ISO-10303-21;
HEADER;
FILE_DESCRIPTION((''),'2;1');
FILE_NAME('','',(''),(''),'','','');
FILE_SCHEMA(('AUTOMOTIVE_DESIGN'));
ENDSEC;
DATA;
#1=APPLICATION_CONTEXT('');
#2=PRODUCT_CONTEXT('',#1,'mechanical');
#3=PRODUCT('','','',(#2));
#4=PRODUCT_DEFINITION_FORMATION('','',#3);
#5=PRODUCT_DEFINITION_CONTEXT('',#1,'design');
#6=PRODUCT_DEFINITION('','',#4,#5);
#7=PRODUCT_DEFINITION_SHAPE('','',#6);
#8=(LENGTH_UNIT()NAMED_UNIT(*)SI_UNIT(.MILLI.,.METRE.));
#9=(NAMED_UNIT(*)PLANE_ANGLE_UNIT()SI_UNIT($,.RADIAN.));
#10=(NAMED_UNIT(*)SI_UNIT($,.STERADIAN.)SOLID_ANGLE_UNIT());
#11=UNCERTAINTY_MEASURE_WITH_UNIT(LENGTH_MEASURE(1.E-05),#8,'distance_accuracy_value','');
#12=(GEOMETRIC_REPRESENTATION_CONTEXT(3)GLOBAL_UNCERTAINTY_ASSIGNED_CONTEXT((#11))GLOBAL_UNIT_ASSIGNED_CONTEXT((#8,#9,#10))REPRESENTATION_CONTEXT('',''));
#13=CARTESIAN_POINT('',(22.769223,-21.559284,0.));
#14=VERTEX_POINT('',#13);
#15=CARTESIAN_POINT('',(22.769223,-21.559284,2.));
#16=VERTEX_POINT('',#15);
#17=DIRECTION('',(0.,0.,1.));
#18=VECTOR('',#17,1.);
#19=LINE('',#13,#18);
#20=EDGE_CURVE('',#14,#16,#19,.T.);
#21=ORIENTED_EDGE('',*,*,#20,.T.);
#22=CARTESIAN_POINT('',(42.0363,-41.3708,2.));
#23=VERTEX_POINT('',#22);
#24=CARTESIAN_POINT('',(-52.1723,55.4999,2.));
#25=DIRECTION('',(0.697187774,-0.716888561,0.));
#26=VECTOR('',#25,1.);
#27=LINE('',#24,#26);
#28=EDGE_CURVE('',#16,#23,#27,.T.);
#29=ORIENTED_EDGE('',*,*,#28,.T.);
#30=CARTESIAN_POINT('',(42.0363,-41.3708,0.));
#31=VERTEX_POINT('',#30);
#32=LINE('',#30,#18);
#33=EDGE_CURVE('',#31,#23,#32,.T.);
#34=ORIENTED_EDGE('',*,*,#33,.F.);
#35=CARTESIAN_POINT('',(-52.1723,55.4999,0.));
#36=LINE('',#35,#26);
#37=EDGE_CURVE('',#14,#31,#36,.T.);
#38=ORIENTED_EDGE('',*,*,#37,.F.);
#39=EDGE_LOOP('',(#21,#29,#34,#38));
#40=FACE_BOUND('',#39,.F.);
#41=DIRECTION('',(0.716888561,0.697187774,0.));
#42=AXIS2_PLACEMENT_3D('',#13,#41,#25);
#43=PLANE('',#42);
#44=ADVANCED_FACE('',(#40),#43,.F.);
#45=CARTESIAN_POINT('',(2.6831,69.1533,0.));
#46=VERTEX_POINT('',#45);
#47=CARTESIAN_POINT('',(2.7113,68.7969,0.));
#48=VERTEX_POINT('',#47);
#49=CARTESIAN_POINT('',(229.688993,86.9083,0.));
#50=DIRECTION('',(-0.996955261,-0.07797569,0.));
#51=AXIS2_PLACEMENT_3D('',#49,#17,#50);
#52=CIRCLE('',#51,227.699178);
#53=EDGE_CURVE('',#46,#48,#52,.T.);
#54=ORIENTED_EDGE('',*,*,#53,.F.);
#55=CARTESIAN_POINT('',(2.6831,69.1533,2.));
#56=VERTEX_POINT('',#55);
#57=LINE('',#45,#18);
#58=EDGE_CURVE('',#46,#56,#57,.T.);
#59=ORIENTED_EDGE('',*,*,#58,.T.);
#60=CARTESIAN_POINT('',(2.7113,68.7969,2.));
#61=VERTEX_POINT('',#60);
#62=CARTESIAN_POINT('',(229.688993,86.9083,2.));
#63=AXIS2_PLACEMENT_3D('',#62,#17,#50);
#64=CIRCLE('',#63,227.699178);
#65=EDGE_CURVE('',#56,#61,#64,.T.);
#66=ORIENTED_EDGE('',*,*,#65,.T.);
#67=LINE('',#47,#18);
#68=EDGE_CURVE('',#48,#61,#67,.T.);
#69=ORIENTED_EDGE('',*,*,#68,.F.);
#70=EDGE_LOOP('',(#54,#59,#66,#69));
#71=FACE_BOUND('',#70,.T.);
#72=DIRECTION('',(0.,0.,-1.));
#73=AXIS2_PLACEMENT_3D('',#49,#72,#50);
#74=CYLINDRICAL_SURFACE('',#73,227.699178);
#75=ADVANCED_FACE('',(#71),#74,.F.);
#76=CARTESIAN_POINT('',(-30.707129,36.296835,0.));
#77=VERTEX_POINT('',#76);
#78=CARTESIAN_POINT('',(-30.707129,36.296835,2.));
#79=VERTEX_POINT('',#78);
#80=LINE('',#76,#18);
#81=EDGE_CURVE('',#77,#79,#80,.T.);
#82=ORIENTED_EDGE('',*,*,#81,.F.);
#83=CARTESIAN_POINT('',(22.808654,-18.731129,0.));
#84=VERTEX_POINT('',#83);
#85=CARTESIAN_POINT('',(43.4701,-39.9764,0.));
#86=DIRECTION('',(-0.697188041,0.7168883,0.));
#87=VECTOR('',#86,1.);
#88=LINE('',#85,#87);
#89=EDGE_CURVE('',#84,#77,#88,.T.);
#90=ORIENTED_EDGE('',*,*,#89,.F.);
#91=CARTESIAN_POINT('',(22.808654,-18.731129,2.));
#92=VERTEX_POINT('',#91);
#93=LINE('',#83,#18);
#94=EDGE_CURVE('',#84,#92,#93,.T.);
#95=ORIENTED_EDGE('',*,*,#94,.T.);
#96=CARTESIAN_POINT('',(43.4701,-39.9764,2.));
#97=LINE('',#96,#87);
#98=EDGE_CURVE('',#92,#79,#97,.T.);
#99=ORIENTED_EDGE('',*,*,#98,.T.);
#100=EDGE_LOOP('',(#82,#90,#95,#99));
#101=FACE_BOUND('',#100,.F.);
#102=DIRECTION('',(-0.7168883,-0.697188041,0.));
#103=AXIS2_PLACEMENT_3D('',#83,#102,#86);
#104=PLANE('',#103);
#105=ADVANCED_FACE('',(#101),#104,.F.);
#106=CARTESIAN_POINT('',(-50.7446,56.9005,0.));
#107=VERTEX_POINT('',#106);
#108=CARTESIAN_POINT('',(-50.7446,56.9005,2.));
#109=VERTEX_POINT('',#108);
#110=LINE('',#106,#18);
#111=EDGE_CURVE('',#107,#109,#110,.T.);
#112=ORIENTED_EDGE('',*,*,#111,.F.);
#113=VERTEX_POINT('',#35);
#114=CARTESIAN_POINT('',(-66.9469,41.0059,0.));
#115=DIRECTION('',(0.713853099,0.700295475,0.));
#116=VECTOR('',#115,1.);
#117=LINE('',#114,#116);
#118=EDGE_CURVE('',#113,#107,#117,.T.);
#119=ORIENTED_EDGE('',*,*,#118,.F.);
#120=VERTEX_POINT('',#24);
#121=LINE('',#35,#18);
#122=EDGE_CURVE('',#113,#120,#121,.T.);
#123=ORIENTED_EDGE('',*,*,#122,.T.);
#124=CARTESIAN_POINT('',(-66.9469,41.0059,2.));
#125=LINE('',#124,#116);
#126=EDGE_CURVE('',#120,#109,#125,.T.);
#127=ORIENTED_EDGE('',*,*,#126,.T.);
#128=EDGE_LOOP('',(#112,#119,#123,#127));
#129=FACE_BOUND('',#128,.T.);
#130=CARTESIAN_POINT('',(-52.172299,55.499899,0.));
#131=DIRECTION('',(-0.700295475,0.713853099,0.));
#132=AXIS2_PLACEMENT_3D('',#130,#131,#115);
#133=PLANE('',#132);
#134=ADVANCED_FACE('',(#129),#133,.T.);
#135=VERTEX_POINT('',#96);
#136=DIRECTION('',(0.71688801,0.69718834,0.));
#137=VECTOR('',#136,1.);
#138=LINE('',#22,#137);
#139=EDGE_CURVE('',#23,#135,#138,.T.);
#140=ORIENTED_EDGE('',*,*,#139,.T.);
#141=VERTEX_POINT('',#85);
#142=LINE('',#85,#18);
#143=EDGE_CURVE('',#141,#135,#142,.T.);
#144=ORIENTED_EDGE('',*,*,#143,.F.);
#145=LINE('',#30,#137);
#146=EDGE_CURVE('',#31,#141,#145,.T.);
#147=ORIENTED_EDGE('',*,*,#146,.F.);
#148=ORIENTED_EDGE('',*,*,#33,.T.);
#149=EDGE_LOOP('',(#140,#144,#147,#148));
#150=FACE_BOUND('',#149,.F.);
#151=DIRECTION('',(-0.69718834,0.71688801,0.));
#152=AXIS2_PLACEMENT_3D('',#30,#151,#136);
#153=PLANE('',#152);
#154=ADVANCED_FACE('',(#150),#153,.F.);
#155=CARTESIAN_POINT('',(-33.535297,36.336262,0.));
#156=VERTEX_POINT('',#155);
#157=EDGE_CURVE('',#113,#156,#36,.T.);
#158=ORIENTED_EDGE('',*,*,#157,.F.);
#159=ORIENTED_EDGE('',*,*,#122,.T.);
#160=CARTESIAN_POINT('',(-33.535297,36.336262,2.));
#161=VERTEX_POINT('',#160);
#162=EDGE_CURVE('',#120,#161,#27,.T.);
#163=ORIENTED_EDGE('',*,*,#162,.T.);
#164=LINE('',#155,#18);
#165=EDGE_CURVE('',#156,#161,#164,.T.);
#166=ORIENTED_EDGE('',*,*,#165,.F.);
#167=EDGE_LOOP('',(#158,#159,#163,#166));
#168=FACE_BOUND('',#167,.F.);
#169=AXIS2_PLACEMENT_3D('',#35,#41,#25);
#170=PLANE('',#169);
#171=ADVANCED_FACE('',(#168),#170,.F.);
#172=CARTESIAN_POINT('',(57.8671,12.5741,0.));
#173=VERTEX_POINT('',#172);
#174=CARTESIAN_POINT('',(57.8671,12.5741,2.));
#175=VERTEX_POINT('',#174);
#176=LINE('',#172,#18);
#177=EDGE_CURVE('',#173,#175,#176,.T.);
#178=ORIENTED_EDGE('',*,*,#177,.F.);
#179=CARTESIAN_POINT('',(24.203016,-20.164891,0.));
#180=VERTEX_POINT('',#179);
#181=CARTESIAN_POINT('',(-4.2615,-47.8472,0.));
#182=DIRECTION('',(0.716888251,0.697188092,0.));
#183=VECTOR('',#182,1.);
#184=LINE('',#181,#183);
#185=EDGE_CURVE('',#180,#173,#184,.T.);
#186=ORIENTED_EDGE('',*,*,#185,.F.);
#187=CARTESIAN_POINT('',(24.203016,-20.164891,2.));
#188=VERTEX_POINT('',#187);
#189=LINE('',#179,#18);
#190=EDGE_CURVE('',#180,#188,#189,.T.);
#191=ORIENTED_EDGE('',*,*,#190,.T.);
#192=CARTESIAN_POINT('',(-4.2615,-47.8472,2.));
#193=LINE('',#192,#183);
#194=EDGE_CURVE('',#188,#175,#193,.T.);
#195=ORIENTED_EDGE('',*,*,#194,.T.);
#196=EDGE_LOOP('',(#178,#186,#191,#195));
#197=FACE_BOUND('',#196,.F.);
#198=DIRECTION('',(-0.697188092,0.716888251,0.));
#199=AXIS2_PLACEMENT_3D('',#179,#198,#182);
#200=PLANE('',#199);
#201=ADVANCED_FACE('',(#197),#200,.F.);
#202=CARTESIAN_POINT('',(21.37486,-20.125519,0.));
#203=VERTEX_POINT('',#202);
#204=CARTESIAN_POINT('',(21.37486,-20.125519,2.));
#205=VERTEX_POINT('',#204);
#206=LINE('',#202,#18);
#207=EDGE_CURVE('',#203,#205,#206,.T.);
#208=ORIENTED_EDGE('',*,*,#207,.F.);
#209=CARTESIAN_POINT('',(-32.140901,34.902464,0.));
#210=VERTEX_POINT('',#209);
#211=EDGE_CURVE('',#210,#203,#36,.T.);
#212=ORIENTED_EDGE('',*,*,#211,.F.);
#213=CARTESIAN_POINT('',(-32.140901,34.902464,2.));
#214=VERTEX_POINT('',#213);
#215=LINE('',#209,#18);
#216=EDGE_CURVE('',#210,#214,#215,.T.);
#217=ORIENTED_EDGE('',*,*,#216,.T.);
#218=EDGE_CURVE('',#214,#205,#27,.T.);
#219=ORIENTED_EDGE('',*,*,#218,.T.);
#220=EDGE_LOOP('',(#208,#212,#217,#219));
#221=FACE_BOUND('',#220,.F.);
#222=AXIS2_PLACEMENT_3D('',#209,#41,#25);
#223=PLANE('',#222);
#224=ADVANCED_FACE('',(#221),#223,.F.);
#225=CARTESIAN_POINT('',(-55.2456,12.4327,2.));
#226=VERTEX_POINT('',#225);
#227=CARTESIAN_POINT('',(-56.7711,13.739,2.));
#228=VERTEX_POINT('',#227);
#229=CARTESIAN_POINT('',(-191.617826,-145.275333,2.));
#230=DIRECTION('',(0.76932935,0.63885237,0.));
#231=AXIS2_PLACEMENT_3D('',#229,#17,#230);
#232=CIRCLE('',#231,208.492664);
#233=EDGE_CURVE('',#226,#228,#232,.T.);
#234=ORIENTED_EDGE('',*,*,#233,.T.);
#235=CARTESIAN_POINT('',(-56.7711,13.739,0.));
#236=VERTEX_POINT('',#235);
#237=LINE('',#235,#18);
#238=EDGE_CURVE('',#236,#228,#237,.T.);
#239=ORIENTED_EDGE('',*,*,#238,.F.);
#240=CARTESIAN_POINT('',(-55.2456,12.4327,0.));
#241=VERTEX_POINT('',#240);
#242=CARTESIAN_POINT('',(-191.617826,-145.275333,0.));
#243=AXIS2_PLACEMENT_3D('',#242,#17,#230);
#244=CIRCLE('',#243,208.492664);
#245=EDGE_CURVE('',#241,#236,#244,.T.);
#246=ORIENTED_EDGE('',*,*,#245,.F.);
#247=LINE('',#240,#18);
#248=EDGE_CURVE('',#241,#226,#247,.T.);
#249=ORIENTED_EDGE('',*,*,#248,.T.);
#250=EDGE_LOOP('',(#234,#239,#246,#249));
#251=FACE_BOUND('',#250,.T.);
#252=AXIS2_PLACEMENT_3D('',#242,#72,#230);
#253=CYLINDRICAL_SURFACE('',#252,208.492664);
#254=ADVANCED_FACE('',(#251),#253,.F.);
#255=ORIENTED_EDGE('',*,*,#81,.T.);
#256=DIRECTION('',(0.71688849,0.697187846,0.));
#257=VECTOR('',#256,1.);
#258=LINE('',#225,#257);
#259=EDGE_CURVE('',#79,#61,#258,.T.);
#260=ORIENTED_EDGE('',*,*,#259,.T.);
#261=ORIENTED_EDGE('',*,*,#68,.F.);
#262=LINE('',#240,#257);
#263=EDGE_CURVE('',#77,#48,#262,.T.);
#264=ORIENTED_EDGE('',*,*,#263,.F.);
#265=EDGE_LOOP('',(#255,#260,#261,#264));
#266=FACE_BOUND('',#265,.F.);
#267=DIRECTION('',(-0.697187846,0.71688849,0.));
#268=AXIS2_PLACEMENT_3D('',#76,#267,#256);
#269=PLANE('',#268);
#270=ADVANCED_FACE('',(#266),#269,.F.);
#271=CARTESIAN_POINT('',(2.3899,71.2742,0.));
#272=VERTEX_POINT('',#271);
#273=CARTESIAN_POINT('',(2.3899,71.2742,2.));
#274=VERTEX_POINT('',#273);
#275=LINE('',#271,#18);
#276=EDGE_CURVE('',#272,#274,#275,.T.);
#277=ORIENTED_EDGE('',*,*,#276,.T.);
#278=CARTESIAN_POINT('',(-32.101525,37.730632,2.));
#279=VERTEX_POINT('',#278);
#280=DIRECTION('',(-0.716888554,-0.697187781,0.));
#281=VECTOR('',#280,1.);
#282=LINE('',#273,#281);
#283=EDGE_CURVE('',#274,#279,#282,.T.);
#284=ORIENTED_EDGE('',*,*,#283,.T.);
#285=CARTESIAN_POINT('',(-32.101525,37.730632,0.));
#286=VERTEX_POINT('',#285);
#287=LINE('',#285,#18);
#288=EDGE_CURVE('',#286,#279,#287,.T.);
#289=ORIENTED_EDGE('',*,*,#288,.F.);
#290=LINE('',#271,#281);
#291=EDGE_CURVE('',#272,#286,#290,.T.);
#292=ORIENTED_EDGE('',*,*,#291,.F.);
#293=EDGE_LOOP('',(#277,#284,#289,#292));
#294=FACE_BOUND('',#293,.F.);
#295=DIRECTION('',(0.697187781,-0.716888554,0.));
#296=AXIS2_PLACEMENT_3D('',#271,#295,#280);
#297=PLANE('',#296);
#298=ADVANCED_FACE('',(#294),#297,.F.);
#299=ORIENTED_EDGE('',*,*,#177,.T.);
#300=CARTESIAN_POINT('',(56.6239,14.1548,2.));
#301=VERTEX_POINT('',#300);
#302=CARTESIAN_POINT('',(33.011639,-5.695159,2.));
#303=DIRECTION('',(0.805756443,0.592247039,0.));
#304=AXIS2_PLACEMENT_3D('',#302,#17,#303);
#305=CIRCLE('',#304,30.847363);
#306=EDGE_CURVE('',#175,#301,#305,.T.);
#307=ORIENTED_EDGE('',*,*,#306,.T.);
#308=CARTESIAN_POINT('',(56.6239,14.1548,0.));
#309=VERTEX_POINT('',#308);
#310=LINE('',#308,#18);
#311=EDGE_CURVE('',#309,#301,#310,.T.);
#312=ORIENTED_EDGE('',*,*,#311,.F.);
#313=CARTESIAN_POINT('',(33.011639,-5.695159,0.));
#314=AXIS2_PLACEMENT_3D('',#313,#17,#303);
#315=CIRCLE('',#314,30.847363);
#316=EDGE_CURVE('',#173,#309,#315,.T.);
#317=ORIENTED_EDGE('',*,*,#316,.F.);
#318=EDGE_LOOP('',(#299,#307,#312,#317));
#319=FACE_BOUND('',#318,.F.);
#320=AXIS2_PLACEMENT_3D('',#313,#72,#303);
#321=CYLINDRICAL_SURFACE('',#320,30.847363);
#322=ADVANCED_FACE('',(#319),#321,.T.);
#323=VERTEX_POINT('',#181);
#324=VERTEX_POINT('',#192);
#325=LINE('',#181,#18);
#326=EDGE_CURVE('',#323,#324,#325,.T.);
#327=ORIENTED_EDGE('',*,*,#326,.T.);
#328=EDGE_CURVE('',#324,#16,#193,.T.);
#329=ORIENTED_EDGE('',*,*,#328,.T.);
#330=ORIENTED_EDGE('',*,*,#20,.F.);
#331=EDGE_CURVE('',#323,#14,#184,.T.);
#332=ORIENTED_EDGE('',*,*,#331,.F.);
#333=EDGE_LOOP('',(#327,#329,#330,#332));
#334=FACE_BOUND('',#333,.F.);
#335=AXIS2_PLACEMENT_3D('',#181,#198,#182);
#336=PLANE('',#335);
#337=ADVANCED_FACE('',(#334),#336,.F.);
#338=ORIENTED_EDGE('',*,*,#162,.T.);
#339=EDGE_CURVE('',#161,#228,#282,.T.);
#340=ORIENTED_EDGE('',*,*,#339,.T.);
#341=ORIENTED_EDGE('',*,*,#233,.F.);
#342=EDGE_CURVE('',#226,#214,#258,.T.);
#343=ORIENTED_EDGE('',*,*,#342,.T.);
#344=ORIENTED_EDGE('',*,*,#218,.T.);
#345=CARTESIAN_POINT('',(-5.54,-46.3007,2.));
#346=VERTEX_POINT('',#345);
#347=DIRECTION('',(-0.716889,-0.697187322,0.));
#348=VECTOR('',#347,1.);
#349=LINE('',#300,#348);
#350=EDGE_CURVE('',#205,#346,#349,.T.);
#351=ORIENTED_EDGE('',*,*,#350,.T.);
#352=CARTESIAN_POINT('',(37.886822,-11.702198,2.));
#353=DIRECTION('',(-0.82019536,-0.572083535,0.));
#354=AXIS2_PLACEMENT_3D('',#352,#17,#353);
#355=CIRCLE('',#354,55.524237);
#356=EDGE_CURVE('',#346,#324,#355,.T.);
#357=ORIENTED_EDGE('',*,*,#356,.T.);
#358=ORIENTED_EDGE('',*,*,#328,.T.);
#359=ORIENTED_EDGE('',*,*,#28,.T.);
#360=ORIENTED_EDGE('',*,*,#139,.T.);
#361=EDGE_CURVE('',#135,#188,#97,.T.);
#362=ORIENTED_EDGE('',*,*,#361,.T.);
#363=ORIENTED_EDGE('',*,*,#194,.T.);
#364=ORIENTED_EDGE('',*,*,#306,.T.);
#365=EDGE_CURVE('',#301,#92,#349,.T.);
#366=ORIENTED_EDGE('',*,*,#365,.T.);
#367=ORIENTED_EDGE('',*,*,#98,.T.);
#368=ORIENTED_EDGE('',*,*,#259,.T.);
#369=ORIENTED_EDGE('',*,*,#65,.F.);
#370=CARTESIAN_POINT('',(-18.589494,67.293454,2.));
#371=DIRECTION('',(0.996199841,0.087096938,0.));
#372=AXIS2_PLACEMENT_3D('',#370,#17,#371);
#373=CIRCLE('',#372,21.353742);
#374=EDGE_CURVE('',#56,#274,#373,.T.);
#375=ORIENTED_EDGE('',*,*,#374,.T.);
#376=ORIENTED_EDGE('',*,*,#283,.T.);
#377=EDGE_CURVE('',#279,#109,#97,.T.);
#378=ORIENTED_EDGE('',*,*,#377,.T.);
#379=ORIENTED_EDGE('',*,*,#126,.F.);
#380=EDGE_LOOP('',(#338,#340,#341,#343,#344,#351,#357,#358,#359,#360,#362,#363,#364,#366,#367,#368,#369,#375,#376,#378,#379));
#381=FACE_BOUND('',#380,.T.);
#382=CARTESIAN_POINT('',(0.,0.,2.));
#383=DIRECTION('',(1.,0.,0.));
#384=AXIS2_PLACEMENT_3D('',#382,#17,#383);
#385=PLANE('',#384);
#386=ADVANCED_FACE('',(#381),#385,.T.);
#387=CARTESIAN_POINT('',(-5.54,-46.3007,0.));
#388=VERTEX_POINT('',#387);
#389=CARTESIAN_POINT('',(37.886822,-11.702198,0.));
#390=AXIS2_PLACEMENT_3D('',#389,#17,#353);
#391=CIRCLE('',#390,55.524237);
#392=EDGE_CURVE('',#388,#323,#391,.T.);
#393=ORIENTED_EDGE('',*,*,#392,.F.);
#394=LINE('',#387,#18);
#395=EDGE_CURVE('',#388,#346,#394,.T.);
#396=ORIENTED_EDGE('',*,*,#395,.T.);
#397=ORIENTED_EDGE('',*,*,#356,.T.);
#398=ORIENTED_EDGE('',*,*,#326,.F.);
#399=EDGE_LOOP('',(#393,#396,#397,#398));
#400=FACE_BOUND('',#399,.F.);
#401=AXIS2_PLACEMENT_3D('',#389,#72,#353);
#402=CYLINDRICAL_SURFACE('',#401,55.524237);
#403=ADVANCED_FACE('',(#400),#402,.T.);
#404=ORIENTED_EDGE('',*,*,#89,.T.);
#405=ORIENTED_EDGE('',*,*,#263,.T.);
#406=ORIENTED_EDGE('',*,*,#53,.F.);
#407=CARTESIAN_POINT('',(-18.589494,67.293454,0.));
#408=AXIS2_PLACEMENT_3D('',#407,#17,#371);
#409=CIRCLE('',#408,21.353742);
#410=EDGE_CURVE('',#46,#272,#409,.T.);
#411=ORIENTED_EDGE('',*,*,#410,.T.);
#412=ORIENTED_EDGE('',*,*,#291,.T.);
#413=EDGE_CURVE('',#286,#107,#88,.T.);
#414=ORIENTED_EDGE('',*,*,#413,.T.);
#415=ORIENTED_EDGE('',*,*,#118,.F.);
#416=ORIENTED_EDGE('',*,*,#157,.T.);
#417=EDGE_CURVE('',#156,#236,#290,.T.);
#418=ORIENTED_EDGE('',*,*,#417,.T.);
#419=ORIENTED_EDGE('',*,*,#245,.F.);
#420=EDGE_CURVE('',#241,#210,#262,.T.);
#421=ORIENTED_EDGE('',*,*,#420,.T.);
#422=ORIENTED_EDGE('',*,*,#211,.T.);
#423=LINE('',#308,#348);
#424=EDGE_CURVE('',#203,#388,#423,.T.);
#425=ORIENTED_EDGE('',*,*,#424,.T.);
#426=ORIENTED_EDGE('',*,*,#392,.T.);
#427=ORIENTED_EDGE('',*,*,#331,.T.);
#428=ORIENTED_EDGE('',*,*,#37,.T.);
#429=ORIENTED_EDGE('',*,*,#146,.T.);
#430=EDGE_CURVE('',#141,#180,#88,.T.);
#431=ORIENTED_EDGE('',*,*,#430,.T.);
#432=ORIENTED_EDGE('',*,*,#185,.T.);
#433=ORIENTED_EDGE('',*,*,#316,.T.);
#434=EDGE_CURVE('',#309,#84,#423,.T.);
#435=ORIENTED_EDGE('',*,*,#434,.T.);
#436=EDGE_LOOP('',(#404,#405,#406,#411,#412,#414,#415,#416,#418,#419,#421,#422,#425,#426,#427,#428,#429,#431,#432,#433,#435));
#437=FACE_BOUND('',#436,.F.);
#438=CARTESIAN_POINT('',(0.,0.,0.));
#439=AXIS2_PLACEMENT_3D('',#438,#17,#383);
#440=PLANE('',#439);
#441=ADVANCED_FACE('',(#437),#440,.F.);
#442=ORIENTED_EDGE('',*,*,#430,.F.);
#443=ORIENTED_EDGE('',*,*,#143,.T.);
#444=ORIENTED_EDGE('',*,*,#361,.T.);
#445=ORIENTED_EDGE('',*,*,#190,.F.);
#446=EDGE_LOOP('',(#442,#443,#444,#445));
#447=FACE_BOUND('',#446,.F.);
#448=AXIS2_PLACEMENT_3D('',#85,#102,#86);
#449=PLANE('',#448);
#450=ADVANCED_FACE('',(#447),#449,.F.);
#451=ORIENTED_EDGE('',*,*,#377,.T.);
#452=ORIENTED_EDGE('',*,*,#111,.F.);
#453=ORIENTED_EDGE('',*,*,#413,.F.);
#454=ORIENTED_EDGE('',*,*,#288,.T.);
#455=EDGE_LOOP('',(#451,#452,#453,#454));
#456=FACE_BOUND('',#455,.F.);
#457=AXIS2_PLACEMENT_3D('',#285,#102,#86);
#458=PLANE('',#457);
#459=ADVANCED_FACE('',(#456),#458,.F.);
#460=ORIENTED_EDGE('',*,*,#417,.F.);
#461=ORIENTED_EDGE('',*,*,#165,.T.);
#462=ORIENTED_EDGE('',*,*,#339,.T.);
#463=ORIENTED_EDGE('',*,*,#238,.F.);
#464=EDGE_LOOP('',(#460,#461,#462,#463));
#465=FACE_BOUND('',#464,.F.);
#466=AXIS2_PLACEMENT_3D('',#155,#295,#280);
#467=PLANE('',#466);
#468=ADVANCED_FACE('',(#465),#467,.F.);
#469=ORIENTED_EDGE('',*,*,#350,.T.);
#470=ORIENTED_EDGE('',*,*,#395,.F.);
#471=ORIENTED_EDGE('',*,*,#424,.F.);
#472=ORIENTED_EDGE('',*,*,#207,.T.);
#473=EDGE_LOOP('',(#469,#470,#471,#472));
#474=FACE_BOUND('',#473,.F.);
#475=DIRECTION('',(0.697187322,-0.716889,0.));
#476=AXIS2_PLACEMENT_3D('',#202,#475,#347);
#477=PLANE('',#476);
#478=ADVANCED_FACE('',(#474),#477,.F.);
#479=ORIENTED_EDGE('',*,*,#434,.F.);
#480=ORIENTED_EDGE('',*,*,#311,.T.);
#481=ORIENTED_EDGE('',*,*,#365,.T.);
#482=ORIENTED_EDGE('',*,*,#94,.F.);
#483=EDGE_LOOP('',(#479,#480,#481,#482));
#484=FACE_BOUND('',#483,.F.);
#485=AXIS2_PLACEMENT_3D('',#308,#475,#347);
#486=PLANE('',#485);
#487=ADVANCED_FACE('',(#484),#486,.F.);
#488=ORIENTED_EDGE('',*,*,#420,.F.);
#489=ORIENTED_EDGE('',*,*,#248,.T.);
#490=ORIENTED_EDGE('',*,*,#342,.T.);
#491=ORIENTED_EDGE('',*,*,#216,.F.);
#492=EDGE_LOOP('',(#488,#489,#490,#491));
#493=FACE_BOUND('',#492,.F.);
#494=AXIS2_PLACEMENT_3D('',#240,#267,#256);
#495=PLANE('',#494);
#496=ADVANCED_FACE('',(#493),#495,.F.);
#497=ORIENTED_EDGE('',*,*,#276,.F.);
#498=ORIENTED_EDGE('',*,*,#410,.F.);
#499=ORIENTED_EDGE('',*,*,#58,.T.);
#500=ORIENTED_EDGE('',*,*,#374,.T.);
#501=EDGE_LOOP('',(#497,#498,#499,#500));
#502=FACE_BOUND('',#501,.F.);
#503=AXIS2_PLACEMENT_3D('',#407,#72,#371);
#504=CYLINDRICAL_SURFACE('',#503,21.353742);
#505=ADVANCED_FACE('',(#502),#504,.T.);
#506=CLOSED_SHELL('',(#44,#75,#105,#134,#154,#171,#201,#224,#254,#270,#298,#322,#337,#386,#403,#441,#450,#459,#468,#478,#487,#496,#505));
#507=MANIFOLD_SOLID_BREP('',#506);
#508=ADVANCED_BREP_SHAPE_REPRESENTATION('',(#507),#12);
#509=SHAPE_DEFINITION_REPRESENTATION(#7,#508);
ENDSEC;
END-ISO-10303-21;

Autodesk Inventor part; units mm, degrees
ref_plane "YZ Plane" through (0, 0, 0) normal (1, 0, 0) x (0, 1, 0)
ref_plane "XZ Plane" through (0, 0, 0) normal (0, 1, 0) x (-1, 0, 0)
ref_plane "XY Plane" through (0, 0, 0) normal (0, 0, 1) x (1, 0, 0)
sketch "Sketch1" plane through (0, 0, 0) normal (0, 0, 1) x (1, 0, 0)
  arc A0 (5.5811, -56.8606) -> (20.209, -64.6836) centre (38.8796, -12.1848) ccw
  arc A1 (-7.6539, -43.4667) -> (5.5811, -56.8606) centre (37.8873, -11.7018) ccw
  arc A2 (-7.6539, -43.4667) -> (-31.2183, -12.0793) centre (-386.265, -303.1724) ccw
  arc A3 (-31.2183, -12.0793) -> (-63.3277, 19.0744) centre (-191.6112, -145.2692) ccw
  arc A4 (-67.5206, 26.3221) -> (-63.3277, 19.0744) centre (-54.6162, 28.9507) ccw
  arc A5 (-66.9469, 41.0059) -> (-67.5206, 26.3221) centre (-15.6776, 31.6496) ccw
  line L0 (-66.9469, 41.0059) -> (-26.0985, 81.0785)
  arc A6 (-3.6955, 79.7027) -> (-26.0985, 81.0785) centre (-17.6076, 36.2535) ccw
  arc A7 (1.4491, 74.6716) -> (-3.6955, 79.7027) centre (-6.1453, 72.0517) ccw
  arc A8 (2.6831, 69.1533) -> (1.4491, 74.6716) centre (-18.5892, 67.2935) ccw
  arc A9 (2.6831, 69.1533) -> (3.1898, 63.5624) centre (229.5421, 86.8959) ccw
  arc A10 (3.1898, 63.5624) -> (8.7161, 49.818) centre (30.4167, 66.5265) ccw
  arc A11 (8.7161, 49.818) -> (19.0471, 39.3259) centre (47.1297, 77.3097) ccw
  arc A12 (19.0471, 39.3259) -> (32.6891, 29.8296) centre (104.4845, 147.5139) ccw
  arc A13 (32.6891, 29.8296) -> (50.5655, 19.6706) centre (502.3948, 835.5524) ccw
  arc A14 (57.8671, 12.5741) -> (50.5655, 19.6706) centre (33.0101, -5.6965) ccw
  arc A15 (67.0572, -4.125) -> (57.8671, 12.5741) centre (18.4686, -19.9867) ccw
  arc A16 (68.9532, -23.0115) -> (67.0572, -4.125) centre (24.8632, -17.8992) ccw
  line L1 (-52.1723, 55.4999) -> (42.0363, -41.3708)
  line L2 (43.4701, -39.9764) -> (-50.7446, 56.9005)
  line L3 (42.0363, -41.3708) -> (43.4701, -39.9764)
  line L4 (-4.2615, -47.8472) -> (57.8671, 12.5741)
  line L5 (56.6239, 14.1548) -> (-5.54, -46.3007)
  line L6 (-55.2456, 12.4327) -> (2.7113, 68.7969)
  line L7 (2.3899, 71.2742) -> (-56.7711, 13.739)
  point P0 (0, 0)
  point P1 (-8.2693, 4.2237)
  point P2 (-4.9861, 4.7501)
  point P3 (-66.0155, 22.3561)
  point P4 (24.203, -20.1649)
  point P5 (22.8086, -18.7311)
  point P6 (-30.7071, 36.2969)
  point P7 (-32.1015, 37.7306)
  point P8 (-33.5353, 36.3363)
  point P9 (-32.1409, 34.9025)
  point P10 (21.3749, -20.1255)
  point P11 (22.7692, -21.5593)
  dimension "d243" = 2
  dimension "d244" = 2
  dimension "d245" = 2
extrude "Extrusion11" add sketch "Sketch1" along normal blind 2 contours L5 L1 L4 A1 | L5 L2 L4 L1 | L1 L6 L2 L5 | A3 L7 L1 L6 | L4 L2 L3 L1 | L1 L7 L2 L6 | L5 A14 L4 L2 | L1 L0 L2 L7 | L2 L7 A8 A9 L6
properties part number "print008_Grundform_Guss_innen"
